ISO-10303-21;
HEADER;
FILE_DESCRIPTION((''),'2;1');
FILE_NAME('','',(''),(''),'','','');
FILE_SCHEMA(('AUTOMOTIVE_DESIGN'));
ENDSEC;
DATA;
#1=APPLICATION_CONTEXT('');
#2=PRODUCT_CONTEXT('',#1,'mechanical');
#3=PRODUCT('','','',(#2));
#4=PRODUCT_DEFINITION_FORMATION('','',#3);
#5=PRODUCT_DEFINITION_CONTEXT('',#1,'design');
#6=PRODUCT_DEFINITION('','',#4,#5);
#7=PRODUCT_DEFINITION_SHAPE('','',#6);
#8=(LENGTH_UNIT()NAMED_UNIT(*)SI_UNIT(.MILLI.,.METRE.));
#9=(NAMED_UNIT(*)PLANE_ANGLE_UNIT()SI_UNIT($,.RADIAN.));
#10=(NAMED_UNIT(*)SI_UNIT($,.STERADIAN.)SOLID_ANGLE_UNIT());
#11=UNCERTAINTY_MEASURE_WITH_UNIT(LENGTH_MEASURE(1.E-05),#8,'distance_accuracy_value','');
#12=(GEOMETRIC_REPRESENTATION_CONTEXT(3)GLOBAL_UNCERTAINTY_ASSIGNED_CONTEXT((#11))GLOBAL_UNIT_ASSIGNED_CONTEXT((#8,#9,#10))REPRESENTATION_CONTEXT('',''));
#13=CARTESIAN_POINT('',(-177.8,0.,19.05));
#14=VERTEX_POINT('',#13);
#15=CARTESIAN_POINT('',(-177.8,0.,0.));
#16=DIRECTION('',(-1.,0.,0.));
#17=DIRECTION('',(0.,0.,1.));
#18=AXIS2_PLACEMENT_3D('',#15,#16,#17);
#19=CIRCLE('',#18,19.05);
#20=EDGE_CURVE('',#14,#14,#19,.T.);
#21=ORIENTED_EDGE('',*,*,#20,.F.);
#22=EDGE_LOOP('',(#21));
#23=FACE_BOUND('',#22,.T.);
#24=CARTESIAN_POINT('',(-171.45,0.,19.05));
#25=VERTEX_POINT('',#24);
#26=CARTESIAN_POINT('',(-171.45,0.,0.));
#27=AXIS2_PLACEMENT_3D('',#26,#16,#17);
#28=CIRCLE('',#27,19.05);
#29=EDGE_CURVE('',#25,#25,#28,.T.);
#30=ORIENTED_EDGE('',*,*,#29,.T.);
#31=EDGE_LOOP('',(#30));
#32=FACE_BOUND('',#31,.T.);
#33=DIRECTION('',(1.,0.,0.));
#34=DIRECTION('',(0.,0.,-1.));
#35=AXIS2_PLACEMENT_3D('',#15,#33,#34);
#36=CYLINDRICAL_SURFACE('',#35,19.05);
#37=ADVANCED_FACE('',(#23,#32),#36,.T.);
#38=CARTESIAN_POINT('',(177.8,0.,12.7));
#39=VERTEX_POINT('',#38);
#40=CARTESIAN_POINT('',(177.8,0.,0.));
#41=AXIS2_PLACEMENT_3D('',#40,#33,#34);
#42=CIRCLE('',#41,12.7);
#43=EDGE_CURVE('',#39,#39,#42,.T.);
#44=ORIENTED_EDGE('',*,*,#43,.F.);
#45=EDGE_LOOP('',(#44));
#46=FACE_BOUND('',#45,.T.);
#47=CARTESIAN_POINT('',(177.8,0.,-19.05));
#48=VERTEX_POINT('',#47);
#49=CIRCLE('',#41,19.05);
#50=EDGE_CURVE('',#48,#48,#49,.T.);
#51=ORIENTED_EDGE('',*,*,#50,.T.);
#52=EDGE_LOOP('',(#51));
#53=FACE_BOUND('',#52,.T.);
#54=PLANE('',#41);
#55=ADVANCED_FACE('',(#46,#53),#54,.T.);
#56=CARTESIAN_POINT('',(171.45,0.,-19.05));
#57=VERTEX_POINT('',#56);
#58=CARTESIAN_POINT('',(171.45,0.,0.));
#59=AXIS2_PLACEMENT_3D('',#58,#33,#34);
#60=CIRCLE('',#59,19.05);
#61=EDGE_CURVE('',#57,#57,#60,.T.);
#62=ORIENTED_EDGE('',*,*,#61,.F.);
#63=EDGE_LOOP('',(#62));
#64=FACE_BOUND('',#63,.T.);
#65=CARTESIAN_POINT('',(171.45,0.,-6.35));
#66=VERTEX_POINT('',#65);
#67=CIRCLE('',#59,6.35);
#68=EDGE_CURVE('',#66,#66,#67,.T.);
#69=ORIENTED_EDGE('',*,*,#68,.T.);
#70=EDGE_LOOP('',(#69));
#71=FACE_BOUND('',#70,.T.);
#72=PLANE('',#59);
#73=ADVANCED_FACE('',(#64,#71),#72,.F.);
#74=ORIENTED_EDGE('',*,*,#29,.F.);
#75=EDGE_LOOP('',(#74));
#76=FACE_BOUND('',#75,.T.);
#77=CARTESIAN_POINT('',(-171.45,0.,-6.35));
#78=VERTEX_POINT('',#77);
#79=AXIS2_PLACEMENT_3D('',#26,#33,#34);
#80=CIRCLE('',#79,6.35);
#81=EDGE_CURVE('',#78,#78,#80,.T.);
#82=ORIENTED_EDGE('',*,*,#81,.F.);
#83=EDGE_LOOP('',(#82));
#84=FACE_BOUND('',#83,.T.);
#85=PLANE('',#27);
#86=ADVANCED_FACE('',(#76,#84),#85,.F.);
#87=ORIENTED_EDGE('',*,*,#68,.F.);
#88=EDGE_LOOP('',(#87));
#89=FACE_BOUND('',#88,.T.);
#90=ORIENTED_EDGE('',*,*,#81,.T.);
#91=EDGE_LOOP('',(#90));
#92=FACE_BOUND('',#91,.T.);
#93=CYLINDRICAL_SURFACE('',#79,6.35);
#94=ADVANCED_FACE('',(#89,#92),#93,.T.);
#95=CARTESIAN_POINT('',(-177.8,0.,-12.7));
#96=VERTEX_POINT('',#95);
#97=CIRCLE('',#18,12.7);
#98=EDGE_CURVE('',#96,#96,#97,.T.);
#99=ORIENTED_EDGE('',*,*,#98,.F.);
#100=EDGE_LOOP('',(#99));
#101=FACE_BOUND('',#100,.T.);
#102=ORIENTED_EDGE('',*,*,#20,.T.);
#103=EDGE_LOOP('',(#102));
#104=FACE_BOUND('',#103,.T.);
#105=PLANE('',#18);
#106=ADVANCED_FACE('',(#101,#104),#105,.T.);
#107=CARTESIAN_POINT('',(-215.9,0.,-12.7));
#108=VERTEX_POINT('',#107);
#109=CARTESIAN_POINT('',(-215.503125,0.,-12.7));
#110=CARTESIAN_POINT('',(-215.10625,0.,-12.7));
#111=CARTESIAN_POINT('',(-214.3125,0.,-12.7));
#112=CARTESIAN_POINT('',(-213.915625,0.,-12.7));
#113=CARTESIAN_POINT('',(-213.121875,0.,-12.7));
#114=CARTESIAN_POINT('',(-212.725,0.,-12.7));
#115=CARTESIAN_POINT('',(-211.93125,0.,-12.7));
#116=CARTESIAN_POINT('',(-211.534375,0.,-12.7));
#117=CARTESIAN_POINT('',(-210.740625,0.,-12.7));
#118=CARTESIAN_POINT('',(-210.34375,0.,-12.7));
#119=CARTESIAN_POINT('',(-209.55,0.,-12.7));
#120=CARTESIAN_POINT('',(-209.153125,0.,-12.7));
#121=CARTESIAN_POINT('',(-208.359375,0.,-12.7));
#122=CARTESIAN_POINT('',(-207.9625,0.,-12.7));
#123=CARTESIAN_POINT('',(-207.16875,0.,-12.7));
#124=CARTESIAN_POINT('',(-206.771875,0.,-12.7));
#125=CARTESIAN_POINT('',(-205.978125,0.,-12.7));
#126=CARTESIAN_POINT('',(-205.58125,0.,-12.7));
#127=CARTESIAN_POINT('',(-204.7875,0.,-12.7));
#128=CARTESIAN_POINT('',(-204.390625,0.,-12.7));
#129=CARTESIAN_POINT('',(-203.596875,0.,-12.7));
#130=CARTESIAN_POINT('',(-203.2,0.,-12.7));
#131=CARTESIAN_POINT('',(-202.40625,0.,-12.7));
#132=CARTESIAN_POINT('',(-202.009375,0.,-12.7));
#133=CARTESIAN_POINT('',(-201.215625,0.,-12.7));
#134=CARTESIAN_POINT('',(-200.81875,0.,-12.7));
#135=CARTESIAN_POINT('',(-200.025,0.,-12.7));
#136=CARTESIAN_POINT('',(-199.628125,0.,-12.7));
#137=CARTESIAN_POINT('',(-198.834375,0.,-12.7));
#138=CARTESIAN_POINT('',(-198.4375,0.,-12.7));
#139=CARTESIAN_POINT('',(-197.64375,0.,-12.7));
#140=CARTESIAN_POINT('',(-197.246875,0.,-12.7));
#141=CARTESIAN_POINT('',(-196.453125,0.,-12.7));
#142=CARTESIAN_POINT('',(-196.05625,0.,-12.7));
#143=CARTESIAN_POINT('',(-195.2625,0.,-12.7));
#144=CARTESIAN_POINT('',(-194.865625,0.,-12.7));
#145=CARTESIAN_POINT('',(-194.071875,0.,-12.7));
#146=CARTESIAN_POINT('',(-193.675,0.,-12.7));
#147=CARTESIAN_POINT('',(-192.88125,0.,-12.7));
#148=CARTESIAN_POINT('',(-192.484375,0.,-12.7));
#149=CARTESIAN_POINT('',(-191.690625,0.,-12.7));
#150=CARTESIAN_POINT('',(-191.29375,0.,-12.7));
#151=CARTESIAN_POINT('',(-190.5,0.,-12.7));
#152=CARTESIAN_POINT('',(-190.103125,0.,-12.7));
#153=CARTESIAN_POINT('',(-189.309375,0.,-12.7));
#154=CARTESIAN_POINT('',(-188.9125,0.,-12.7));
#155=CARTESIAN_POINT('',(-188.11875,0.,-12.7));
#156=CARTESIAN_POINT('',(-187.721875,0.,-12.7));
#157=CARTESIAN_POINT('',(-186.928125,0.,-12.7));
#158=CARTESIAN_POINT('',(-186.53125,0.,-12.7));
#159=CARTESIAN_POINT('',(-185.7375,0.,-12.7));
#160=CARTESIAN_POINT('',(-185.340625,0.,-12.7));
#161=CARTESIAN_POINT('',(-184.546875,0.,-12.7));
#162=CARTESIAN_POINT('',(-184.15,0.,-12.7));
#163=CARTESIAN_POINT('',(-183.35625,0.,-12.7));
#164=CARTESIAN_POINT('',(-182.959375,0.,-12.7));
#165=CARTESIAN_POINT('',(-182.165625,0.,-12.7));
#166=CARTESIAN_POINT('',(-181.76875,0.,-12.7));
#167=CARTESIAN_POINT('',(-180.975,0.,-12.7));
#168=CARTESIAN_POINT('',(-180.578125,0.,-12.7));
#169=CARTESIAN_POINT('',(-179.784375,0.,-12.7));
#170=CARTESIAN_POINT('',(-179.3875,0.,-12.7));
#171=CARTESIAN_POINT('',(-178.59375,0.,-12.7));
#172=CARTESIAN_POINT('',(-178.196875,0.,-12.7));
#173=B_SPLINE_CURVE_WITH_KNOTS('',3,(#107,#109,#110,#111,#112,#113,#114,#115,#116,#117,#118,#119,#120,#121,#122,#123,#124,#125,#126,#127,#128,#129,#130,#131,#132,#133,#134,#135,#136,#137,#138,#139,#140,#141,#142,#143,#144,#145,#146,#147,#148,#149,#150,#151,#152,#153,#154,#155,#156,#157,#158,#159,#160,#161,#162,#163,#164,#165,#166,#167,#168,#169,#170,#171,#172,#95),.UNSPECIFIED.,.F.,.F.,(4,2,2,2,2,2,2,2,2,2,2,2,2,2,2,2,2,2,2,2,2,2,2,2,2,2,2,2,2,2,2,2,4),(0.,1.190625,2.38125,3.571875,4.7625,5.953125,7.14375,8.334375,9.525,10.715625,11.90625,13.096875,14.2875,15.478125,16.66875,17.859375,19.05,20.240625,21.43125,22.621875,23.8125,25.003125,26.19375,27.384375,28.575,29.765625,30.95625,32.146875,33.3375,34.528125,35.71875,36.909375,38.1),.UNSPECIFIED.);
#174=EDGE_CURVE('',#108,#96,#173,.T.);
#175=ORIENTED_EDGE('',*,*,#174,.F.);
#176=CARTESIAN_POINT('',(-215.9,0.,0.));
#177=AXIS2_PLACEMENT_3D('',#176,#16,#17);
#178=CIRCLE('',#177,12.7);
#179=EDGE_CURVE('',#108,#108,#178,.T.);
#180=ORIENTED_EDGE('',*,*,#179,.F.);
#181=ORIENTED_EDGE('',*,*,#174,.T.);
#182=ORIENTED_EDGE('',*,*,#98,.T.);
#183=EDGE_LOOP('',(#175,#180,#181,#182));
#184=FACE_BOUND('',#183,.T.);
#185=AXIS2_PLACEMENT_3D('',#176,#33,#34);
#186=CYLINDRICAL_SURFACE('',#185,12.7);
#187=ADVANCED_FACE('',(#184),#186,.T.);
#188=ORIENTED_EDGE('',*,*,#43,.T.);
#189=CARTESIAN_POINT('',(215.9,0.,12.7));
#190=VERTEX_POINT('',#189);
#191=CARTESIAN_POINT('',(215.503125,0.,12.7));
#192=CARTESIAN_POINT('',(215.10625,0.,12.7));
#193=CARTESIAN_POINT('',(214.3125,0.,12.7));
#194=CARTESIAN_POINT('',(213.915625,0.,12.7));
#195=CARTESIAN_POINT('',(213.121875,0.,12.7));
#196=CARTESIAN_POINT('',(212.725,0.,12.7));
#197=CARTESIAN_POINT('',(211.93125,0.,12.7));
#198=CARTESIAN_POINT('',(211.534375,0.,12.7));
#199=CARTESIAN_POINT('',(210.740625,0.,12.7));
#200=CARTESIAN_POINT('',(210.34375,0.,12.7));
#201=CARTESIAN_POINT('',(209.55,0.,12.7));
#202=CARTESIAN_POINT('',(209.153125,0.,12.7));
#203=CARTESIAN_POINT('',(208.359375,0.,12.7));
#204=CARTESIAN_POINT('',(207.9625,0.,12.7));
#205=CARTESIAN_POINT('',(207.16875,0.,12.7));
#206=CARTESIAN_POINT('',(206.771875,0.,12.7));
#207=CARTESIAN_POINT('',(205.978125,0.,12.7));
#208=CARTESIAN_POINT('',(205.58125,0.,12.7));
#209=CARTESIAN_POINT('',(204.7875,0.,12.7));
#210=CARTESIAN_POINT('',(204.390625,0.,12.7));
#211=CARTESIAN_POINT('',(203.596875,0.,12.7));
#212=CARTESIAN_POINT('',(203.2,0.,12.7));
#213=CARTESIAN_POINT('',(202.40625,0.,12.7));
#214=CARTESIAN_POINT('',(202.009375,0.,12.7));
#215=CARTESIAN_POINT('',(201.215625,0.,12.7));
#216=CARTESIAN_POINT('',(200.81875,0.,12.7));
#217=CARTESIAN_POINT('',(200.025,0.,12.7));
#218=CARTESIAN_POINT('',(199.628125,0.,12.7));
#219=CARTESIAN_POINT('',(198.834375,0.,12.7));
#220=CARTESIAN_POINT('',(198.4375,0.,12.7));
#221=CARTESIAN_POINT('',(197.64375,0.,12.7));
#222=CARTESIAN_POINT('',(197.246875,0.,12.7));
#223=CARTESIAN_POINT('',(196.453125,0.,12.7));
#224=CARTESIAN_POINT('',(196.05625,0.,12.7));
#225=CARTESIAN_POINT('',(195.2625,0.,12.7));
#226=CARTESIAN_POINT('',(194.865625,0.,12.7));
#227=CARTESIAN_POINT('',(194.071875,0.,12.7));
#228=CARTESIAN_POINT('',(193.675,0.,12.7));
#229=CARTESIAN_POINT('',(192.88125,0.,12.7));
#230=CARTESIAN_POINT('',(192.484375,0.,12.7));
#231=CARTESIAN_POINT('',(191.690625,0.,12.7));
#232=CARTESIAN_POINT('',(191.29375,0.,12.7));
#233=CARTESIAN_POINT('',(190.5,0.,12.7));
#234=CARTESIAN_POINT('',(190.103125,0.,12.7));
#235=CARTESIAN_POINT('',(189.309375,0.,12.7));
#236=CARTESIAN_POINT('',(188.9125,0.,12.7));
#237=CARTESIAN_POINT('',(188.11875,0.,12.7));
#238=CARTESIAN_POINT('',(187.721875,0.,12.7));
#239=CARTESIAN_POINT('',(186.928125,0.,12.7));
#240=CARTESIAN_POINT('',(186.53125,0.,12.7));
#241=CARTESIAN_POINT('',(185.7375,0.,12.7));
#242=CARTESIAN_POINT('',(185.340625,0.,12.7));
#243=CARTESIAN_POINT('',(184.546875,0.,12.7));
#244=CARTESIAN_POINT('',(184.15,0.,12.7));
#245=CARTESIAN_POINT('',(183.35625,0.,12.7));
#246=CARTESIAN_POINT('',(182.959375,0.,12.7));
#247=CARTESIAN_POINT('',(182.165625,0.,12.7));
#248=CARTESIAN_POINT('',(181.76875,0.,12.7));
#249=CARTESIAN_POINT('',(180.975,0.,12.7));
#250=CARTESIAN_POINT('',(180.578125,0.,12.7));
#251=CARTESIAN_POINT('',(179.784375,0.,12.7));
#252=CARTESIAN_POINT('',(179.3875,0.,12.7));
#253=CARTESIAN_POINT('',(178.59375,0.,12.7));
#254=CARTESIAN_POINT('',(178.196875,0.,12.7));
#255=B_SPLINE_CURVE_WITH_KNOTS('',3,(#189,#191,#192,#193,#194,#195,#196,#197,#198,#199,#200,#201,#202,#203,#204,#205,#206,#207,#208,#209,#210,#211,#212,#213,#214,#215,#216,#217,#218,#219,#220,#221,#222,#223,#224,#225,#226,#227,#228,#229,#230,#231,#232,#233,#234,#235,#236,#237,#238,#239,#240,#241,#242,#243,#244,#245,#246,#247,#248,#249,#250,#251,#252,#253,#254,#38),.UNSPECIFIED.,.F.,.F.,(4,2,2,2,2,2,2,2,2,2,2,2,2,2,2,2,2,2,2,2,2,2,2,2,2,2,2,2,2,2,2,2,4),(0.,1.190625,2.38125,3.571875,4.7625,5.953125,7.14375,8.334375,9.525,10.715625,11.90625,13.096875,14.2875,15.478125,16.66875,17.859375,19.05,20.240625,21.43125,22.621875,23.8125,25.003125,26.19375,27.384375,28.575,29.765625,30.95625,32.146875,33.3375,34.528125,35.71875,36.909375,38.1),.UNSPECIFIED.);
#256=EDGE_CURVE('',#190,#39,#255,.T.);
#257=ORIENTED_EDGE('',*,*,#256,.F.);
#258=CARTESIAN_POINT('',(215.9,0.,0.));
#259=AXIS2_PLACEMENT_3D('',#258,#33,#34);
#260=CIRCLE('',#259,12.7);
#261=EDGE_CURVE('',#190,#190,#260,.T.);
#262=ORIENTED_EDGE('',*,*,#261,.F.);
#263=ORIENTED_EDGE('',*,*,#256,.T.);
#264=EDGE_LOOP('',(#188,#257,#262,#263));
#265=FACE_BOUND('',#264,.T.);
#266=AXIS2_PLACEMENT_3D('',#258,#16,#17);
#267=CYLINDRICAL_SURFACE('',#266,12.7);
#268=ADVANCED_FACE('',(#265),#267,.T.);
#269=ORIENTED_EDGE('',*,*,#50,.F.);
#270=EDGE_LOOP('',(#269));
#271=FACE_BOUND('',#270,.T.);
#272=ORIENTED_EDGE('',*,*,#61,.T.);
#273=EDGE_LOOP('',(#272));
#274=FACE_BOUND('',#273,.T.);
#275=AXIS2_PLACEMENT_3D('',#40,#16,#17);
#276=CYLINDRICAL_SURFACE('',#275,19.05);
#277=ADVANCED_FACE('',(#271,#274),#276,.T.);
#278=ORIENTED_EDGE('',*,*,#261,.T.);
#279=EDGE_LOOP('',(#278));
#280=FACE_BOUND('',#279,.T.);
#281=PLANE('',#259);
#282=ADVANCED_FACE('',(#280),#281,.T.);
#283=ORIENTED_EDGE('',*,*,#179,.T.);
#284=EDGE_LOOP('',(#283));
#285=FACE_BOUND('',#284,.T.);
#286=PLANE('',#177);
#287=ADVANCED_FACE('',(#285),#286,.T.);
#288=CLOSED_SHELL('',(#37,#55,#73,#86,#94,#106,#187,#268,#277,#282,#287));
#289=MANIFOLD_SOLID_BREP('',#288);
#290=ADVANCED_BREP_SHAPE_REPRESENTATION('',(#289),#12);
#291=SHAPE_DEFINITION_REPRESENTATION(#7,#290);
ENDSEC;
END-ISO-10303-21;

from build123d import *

# Parameters (mm, degrees)
BOSS_EXTRUDE1_DEPTH      = 171.45
BOSS_EXTRUDE1_DEPTH_BACK = 171.45
SKETCH2_R                = 6.35
SKETCH3_R                = 19.05
BOSS_EXTRUDE2_DEPTH      = 6.35
BOSS_EXTRUDE4_START      = 6.35
SKETCH7_R                = 19.05
BOSS_EXTRUDE4_DEPTH      = 6.35
SKETCH9_R                = 12.7
BOSS_EXTRUDE6_DEPTH      = 38.1
BOSS_EXTRUDE7_START      = 38.1
SKETCH10_R               = 12.7
BOSS_EXTRUDE7_DEPTH      = 38.1


with BuildPart() as part:
    # Sketch2 → Boss-Extrude1 (new, two sides: drawn at the far end of the back side and taken through both)
    with BuildSketch(Plane(origin=(0, 0, 0), x_dir=(0, 0, -1), z_dir=(1, 0, 0)).offset(-BOSS_EXTRUDE1_DEPTH_BACK)):
        Circle(SKETCH2_R)
    extrude(amount=BOSS_EXTRUDE1_DEPTH + BOSS_EXTRUDE1_DEPTH_BACK)

    # Sketch3 → Boss-Extrude2 (add)
    with BuildSketch(Plane(origin=(171.45, 0, 0), x_dir=(0, 0, -1), z_dir=(1, 0, 0))):
        Circle(SKETCH3_R)
    extrude(amount=BOSS_EXTRUDE2_DEPTH)

    # Sketch7 → Boss-Extrude4 (add)
    with BuildSketch(Plane.ZY.offset(171.45).offset(BOSS_EXTRUDE4_START)):
        Circle(SKETCH7_R)
    extrude(amount=-BOSS_EXTRUDE4_DEPTH)

    # Sketch9 → Boss-Extrude6 (add)
    with BuildSketch(Plane.ZY.offset(177.8)):
        Circle(SKETCH9_R)
    extrude(amount=BOSS_EXTRUDE6_DEPTH)

    # Sketch10 → Boss-Extrude7 (add)
    with BuildSketch(Plane(origin=(177.8, 0, 0), x_dir=(0, 0, -1), z_dir=(1, 0, 0)).offset(BOSS_EXTRUDE7_START)):
        Circle(SKETCH10_R)
    extrude(amount=-BOSS_EXTRUDE7_DEPTH)


solid = part.part
